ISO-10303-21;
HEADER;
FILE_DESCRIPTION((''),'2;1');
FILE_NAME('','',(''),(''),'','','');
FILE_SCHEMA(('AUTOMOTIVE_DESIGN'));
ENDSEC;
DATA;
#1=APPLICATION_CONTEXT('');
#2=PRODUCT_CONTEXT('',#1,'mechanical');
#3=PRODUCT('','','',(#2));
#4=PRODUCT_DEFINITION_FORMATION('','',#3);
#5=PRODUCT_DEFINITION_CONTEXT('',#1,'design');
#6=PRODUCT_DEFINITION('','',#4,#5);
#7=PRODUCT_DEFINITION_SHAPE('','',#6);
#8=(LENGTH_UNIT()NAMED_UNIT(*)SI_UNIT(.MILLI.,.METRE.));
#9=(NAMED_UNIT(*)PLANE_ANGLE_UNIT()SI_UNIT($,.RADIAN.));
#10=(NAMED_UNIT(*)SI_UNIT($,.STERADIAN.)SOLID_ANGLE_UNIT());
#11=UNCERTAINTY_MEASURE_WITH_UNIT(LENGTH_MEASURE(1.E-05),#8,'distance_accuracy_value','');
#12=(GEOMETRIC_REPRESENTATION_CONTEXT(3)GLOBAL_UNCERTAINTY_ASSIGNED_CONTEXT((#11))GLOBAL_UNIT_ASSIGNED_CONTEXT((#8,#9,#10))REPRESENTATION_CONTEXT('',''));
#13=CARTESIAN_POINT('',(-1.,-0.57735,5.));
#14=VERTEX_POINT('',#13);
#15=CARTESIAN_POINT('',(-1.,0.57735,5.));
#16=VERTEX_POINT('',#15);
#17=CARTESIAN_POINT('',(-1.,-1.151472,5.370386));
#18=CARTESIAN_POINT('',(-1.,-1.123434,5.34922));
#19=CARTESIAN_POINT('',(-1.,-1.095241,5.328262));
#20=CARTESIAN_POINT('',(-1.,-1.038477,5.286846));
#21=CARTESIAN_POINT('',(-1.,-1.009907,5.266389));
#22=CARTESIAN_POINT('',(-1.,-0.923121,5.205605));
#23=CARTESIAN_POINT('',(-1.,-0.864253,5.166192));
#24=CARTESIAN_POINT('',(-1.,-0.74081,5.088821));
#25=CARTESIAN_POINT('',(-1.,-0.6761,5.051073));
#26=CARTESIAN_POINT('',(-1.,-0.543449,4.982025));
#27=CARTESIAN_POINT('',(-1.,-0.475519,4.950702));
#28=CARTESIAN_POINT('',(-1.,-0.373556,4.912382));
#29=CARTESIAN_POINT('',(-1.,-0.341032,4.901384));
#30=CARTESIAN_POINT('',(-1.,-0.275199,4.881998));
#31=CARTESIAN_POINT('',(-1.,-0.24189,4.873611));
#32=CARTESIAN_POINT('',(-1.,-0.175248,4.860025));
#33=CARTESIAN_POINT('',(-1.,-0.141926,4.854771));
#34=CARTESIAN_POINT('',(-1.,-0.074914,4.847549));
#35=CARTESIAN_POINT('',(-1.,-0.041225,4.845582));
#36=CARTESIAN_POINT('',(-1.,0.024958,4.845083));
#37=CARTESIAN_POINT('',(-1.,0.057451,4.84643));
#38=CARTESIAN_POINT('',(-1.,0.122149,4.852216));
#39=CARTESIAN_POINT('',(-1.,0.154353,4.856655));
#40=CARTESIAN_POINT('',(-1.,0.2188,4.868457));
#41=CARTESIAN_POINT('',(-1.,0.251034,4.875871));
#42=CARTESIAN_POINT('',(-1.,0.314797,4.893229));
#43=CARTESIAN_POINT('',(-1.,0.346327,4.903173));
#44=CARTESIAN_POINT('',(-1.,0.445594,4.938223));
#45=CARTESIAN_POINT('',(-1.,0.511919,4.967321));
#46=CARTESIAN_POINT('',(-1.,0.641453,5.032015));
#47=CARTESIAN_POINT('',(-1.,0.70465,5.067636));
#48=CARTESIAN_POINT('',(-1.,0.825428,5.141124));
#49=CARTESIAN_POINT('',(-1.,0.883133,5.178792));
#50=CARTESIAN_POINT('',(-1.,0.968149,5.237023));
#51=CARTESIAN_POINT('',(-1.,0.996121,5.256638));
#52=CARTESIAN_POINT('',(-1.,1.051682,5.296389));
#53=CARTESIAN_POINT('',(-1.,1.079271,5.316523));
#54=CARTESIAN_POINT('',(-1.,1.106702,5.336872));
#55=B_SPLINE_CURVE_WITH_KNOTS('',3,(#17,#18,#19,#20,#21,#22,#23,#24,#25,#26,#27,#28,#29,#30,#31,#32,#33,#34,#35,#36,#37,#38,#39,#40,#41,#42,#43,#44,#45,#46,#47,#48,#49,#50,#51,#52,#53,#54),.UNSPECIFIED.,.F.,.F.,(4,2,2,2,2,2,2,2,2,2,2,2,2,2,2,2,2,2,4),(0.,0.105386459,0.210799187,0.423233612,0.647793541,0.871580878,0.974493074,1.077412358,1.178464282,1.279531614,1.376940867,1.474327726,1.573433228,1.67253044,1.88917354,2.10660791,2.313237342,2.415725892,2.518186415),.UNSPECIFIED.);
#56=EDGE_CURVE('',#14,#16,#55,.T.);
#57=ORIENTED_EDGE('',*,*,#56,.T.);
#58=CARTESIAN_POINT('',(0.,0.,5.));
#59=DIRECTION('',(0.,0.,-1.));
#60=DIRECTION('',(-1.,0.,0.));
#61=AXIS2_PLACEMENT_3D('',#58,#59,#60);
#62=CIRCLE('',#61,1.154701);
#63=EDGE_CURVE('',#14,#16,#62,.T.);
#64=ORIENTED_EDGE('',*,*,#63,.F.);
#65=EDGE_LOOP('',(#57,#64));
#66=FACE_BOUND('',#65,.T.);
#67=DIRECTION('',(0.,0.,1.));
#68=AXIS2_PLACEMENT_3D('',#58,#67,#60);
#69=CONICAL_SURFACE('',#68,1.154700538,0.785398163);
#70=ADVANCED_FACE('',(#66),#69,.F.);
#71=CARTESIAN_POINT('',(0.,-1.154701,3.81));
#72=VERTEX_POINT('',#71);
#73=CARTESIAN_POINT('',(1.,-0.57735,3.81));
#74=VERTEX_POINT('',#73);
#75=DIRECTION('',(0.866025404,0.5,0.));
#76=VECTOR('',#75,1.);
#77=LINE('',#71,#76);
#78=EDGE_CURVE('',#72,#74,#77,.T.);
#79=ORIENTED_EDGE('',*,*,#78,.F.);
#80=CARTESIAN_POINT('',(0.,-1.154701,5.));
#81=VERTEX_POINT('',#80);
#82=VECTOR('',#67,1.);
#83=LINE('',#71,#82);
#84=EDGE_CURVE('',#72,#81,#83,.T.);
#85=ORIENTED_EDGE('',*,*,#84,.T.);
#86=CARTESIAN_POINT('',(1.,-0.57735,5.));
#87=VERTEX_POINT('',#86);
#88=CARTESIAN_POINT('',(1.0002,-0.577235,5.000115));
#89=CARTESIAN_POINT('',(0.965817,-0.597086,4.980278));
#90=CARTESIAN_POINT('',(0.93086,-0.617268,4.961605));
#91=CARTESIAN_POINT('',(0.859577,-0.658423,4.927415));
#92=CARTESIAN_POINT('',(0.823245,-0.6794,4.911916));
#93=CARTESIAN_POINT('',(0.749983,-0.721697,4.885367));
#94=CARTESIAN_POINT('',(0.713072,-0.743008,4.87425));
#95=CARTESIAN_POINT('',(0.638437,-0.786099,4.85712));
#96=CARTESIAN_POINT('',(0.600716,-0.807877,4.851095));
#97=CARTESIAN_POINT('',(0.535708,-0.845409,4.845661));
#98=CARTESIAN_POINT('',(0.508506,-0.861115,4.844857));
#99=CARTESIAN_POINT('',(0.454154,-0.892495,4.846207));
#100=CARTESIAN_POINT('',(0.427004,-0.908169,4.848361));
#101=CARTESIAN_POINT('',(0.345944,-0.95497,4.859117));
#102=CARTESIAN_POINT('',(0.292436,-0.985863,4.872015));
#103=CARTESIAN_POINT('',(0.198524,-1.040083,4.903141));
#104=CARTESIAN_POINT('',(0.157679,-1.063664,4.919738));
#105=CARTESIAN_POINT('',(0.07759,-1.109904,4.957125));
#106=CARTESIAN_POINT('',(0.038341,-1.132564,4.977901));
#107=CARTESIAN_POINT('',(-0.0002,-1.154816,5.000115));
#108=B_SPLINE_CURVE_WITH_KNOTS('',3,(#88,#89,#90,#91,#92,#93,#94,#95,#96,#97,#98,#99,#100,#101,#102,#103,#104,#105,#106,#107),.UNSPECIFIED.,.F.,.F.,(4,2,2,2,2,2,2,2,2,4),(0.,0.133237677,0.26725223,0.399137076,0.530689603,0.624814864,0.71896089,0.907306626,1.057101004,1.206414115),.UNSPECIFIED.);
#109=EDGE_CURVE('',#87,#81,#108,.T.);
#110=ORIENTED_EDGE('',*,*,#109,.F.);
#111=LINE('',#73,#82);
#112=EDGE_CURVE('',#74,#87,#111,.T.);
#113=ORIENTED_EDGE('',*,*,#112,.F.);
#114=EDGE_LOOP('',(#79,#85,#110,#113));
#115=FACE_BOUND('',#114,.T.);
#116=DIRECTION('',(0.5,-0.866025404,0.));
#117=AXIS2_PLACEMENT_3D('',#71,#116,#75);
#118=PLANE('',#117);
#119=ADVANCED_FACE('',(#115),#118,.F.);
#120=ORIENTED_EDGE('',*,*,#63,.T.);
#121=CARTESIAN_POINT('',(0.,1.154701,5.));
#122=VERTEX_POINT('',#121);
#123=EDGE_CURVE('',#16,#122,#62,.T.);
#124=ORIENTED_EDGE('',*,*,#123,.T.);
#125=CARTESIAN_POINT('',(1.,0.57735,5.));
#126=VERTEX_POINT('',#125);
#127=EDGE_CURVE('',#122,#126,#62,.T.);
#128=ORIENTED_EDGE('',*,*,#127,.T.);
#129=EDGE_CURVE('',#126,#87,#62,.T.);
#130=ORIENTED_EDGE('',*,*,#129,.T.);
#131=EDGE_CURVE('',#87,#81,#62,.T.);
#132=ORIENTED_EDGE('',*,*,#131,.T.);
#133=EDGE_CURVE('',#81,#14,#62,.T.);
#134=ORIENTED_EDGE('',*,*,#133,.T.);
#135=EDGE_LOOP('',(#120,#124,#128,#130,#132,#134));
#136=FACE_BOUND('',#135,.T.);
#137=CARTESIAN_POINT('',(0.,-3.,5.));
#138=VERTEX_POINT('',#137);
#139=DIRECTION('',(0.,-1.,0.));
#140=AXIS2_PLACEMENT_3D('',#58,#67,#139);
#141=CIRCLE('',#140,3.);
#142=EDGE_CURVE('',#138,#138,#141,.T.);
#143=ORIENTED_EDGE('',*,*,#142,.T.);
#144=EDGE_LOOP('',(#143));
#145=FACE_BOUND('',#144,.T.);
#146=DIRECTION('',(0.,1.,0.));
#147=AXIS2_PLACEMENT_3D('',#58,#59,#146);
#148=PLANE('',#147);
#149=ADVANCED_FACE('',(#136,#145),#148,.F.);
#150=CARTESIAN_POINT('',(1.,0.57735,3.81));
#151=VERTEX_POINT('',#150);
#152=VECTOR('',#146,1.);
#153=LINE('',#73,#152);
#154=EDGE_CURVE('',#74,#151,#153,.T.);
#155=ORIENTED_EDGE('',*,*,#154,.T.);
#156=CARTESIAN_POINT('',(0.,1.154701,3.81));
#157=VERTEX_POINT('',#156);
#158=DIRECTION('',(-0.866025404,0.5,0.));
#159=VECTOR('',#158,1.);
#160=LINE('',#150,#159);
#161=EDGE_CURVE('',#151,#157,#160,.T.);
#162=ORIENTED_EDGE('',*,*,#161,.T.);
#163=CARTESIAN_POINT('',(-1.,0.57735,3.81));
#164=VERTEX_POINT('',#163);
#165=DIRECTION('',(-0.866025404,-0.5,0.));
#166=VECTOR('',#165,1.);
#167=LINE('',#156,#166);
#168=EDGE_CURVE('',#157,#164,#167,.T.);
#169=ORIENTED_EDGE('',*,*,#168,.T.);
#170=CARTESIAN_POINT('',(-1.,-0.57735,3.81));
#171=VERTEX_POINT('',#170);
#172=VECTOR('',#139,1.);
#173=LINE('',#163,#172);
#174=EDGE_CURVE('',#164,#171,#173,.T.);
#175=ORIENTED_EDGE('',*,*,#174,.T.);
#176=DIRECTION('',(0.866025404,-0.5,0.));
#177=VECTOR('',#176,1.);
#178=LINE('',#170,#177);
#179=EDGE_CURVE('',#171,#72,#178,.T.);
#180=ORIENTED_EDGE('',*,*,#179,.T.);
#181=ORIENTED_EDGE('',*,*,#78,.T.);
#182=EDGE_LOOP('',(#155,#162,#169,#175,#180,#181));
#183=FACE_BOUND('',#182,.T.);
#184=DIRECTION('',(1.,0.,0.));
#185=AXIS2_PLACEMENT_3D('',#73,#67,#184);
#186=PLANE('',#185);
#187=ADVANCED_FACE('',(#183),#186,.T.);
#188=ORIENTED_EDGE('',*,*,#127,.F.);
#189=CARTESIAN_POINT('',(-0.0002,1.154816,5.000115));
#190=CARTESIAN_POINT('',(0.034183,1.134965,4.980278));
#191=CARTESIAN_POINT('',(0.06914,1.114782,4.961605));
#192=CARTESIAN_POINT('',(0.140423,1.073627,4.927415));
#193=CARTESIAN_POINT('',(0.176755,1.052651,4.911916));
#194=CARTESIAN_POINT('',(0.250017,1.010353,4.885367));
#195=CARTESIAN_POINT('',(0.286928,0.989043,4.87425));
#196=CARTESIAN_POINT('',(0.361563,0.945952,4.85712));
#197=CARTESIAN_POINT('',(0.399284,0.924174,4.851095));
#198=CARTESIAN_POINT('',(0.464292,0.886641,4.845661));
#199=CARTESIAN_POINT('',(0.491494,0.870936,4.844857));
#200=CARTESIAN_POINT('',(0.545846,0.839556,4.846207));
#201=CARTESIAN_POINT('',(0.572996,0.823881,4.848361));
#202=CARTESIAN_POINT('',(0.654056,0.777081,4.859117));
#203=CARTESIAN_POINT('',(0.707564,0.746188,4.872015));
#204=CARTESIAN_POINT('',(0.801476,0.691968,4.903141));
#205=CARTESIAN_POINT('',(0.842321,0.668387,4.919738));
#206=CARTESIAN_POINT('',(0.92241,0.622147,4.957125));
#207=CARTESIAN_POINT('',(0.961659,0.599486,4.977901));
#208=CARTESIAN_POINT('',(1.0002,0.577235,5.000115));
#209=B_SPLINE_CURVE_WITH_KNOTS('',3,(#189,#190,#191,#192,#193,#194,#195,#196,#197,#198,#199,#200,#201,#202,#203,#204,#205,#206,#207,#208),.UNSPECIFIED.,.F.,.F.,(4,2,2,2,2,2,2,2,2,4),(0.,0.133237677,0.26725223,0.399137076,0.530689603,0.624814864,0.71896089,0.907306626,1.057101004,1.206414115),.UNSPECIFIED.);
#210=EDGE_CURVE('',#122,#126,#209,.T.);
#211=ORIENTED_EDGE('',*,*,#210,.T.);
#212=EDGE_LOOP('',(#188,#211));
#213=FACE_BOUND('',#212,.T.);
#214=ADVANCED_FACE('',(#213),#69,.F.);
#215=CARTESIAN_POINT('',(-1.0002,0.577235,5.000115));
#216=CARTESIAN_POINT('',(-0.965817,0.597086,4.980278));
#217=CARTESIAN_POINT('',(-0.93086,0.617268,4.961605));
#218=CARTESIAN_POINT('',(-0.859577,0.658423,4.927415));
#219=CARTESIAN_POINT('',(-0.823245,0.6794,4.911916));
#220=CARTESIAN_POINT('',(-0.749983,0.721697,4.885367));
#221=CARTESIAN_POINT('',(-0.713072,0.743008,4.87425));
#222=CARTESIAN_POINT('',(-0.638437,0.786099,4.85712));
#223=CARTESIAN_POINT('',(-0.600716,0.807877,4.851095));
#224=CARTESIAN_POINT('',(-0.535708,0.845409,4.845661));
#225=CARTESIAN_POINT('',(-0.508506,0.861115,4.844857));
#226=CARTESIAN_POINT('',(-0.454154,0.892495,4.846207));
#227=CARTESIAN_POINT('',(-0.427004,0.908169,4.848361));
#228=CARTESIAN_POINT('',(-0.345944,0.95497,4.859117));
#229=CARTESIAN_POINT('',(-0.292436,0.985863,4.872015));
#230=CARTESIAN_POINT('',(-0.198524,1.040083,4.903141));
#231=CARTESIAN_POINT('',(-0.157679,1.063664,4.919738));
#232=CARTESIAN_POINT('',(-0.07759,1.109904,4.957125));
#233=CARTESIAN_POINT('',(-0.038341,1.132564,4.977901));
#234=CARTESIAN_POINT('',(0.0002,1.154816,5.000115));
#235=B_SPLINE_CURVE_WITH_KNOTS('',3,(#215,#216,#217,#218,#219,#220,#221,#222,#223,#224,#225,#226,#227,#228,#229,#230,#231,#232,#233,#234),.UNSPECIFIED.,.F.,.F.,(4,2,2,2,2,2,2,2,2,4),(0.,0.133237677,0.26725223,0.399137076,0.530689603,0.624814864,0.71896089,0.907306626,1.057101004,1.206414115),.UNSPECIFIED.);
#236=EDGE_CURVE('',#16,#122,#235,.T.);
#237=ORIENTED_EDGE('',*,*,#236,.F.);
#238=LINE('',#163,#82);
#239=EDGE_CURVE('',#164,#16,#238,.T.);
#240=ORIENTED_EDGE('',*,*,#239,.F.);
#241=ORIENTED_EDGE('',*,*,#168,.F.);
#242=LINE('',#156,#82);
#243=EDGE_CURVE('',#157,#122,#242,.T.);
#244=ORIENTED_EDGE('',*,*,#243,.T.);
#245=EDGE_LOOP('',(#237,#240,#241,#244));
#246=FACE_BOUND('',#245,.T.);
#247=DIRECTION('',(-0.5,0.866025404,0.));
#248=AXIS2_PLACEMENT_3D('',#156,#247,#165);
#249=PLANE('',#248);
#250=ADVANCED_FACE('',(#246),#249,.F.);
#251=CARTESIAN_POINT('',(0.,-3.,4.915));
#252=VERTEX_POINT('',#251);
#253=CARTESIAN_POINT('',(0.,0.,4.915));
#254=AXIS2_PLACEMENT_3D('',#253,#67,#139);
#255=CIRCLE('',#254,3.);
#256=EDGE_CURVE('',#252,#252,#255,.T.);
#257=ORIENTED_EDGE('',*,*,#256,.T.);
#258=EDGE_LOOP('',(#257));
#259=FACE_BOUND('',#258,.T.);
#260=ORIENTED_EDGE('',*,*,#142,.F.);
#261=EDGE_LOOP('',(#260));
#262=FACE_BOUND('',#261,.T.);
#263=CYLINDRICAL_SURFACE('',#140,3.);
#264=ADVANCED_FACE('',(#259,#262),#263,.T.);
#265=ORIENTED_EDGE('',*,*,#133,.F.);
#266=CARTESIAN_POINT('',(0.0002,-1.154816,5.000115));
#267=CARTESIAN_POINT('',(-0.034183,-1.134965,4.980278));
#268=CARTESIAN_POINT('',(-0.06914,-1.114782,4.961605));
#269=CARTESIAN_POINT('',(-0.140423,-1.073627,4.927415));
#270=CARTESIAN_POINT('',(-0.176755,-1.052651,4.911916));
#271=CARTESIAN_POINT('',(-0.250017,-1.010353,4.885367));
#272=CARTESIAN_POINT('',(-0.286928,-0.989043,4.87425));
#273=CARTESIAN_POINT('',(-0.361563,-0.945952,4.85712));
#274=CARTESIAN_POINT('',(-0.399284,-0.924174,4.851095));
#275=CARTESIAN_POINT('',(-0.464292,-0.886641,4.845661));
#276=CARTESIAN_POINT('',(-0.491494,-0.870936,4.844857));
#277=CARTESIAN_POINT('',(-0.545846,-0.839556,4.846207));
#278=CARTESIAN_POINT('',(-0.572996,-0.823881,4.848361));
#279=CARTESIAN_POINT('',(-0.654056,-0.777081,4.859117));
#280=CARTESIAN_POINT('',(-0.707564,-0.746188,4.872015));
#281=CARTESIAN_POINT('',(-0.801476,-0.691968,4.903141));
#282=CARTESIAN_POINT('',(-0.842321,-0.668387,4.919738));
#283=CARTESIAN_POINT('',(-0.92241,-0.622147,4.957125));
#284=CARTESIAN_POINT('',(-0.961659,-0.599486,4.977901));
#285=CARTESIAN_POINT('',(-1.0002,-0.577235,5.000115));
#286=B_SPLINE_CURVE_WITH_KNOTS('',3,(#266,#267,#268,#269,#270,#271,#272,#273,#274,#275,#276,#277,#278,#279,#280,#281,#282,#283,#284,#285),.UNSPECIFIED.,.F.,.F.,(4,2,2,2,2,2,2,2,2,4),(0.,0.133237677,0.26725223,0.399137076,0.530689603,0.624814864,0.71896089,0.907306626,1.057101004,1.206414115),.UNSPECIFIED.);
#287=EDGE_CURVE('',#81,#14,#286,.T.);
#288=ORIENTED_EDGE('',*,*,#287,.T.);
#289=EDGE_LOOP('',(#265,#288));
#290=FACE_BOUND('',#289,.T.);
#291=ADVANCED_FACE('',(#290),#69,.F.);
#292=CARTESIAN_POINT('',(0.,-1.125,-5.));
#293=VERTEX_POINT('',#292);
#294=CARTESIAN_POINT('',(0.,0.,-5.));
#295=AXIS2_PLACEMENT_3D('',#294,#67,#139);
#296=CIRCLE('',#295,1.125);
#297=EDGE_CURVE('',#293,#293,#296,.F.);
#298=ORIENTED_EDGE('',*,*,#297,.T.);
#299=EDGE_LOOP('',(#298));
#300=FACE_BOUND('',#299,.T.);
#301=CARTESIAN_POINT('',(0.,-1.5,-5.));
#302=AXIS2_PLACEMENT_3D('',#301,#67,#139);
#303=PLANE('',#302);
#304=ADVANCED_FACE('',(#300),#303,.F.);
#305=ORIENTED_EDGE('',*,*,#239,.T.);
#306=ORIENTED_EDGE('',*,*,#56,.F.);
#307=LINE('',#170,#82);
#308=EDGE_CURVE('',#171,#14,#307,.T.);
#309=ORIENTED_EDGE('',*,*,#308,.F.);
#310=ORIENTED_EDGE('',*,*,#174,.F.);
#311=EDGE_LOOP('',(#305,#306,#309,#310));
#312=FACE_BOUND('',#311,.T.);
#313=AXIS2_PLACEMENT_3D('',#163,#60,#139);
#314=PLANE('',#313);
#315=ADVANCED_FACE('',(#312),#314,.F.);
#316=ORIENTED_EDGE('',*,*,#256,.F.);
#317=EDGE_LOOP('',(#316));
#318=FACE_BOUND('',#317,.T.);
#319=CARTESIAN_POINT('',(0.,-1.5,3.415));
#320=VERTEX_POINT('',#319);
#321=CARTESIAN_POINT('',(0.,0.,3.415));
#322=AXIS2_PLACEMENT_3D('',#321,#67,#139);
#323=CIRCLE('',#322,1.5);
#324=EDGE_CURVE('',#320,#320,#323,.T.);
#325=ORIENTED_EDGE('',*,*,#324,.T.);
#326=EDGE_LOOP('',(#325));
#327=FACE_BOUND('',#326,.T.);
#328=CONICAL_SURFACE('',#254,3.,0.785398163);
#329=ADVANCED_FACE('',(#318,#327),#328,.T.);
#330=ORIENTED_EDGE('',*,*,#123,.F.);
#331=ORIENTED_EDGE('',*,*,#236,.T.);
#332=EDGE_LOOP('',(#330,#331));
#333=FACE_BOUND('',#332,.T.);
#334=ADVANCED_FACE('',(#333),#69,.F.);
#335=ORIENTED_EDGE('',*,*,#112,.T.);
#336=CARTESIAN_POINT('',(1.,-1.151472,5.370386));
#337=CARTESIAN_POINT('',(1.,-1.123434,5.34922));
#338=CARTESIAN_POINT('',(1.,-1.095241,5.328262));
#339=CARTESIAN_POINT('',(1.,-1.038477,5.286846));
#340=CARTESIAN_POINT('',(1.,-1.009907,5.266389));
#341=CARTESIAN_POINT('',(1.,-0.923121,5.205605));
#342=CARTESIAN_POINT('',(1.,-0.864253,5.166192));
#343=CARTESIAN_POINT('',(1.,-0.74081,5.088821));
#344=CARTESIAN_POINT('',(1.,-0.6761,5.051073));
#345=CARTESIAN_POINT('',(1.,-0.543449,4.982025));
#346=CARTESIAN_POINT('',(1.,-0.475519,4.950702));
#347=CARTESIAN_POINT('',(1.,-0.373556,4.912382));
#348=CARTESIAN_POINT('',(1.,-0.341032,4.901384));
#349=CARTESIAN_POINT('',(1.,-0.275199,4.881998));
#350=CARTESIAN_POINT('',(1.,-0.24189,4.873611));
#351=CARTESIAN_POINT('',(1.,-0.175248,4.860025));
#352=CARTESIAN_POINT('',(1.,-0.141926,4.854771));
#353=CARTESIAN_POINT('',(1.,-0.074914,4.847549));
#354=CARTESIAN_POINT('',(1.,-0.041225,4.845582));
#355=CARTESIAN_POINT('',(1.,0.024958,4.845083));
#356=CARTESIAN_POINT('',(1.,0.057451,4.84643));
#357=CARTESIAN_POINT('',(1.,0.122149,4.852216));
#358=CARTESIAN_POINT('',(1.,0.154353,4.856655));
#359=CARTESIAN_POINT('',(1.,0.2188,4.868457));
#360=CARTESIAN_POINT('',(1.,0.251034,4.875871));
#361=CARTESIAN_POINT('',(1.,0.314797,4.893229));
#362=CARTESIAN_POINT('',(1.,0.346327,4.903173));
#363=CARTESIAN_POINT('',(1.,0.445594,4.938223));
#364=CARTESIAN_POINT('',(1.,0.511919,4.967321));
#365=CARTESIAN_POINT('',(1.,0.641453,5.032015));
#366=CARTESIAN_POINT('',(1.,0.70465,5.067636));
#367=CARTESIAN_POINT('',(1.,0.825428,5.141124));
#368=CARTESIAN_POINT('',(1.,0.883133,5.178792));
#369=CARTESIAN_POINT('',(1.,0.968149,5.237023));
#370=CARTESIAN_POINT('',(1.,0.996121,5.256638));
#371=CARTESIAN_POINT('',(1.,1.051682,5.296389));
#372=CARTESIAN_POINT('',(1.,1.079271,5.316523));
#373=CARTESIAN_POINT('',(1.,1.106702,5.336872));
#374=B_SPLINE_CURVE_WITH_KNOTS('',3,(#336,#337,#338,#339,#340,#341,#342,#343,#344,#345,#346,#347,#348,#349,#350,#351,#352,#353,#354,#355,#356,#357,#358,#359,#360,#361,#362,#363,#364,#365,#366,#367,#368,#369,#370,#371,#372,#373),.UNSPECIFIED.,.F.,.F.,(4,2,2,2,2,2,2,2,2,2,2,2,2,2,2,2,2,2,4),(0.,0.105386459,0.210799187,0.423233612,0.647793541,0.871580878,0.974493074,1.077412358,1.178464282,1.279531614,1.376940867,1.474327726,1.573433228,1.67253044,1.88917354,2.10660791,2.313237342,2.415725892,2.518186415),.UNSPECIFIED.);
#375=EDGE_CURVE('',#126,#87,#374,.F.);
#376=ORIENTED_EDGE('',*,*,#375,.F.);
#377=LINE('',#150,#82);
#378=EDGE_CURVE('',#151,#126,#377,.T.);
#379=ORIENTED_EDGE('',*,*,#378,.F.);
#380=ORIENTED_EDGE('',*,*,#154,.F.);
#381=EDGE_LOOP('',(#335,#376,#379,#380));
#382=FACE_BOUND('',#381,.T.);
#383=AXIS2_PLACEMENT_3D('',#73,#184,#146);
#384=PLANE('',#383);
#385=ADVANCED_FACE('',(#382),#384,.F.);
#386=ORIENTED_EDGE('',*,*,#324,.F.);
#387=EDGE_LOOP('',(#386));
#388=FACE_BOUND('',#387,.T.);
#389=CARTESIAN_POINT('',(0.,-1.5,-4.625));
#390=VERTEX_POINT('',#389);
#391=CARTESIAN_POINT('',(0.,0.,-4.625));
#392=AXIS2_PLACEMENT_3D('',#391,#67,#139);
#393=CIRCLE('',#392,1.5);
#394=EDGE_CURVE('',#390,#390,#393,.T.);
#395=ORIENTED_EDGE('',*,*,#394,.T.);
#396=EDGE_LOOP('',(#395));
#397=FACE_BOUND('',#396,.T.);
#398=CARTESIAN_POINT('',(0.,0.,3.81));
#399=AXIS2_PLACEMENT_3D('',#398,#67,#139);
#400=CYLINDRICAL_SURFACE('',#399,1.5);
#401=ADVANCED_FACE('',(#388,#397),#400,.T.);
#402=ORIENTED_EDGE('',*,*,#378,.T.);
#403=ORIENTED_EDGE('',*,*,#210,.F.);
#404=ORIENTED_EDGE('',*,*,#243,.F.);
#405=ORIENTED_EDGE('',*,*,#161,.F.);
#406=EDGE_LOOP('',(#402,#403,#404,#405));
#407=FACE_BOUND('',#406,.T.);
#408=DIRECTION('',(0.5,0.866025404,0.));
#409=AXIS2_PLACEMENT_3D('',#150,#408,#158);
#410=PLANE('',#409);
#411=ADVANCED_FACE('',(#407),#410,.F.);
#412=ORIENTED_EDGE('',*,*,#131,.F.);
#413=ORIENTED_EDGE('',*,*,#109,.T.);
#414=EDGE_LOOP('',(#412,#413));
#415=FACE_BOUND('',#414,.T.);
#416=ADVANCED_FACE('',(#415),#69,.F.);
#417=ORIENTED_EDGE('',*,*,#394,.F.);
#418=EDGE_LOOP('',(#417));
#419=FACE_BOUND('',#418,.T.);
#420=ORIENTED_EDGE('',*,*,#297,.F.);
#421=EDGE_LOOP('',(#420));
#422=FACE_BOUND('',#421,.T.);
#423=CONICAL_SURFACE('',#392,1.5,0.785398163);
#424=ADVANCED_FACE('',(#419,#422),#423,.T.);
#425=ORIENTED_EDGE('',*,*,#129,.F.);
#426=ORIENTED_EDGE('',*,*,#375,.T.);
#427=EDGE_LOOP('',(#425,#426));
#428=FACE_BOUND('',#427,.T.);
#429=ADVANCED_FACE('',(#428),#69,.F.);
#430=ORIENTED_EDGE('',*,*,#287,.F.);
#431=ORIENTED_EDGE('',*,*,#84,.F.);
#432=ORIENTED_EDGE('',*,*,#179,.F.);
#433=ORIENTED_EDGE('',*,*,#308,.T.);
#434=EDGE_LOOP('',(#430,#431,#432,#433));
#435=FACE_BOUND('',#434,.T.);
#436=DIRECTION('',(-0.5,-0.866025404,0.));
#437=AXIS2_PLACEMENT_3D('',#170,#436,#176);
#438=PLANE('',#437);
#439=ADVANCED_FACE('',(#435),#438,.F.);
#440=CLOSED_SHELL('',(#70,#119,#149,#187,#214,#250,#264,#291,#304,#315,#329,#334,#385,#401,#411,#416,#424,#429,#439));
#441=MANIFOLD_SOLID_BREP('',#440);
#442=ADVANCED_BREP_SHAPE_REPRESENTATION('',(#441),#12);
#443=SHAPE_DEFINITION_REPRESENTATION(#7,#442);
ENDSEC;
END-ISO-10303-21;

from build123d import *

# Parameters (mm, degrees)
CHAMFER1_SIZE      = 0.375
CUT_EXTRUDE2_DEPTH = 1.19


with BuildPart() as part:
    # Sketch1 → Revolve1 (revolve)
    with BuildSketch(Plane(origin=(0, 0, 0), x_dir=(0, 0, -1), z_dir=(1, 0, 0)), mode=Mode.PRIVATE) as revolve1_sk:
        Polygon((-3.3, 1.5), (5, 1.5), (5, 0), (-3.81, 0), (-3.81, 1.5), align=None)
    revolve(revolve1_sk.sketch.rotate(Axis((0, 0, 3.81), (0, 0, -1)), 180), axis=Axis((0, 0, 3.81), (0, 0, -1)))

    # Chamfer1
    chamfer1_edges = [part.edges().sort_by_distance(p)[0] for p in [
        (0, 1.5, -5),
    ]]
    chamfer(chamfer1_edges, length=CHAMFER1_SIZE)


with BuildPart() as body_2:
    # Sketch7 → Revolve2 (revolve)
    with BuildSketch(Plane(origin=(0, 0, 0), x_dir=(0, 0, -1), z_dir=(1, 0, 0)), mode=Mode.PRIVATE) as revolve2_sk:
        Polygon((-5, 3), (-4.915, 3), (-3.3, 1.385), (-3.3, 0), (-5, 0), align=None)
    revolve(revolve2_sk.sketch.rotate(Axis((0, 0, 5), (0, 0, -1)), 180), axis=Axis((0, 0, 5), (0, 0, -1)))

    # Sketch5 → Cut-Extrude2 (cut)
    with BuildSketch(Plane.XY.offset(5)):
        Polygon((1, -0.577350269), (1, 0.577350269), (0, 1.154700538), (-1, 0.577350269), (-1, -0.577350269), (0, -1.154700538), align=None)
    extrude(amount=-CUT_EXTRUDE2_DEPTH, mode=Mode.SUBTRACT)

    # Cut-Extrude3 cone 1 section (through the dimple's axis) → Cut-Extrude3 (revolve, cut)
    with BuildSketch(Plane(origin=(0, 0, 5), x_dir=(0, -1, 0), z_dir=(1, 0, 0))):
        Polygon((0, 0), (1.154700538, 0), (0, 1.154700538), align=None)
    revolve(axis=Axis((0, 0, 5), (0, 0, -1)), mode=Mode.SUBTRACT)

    # Combine1: union part
    add(part.part)


solid = body_2.part
